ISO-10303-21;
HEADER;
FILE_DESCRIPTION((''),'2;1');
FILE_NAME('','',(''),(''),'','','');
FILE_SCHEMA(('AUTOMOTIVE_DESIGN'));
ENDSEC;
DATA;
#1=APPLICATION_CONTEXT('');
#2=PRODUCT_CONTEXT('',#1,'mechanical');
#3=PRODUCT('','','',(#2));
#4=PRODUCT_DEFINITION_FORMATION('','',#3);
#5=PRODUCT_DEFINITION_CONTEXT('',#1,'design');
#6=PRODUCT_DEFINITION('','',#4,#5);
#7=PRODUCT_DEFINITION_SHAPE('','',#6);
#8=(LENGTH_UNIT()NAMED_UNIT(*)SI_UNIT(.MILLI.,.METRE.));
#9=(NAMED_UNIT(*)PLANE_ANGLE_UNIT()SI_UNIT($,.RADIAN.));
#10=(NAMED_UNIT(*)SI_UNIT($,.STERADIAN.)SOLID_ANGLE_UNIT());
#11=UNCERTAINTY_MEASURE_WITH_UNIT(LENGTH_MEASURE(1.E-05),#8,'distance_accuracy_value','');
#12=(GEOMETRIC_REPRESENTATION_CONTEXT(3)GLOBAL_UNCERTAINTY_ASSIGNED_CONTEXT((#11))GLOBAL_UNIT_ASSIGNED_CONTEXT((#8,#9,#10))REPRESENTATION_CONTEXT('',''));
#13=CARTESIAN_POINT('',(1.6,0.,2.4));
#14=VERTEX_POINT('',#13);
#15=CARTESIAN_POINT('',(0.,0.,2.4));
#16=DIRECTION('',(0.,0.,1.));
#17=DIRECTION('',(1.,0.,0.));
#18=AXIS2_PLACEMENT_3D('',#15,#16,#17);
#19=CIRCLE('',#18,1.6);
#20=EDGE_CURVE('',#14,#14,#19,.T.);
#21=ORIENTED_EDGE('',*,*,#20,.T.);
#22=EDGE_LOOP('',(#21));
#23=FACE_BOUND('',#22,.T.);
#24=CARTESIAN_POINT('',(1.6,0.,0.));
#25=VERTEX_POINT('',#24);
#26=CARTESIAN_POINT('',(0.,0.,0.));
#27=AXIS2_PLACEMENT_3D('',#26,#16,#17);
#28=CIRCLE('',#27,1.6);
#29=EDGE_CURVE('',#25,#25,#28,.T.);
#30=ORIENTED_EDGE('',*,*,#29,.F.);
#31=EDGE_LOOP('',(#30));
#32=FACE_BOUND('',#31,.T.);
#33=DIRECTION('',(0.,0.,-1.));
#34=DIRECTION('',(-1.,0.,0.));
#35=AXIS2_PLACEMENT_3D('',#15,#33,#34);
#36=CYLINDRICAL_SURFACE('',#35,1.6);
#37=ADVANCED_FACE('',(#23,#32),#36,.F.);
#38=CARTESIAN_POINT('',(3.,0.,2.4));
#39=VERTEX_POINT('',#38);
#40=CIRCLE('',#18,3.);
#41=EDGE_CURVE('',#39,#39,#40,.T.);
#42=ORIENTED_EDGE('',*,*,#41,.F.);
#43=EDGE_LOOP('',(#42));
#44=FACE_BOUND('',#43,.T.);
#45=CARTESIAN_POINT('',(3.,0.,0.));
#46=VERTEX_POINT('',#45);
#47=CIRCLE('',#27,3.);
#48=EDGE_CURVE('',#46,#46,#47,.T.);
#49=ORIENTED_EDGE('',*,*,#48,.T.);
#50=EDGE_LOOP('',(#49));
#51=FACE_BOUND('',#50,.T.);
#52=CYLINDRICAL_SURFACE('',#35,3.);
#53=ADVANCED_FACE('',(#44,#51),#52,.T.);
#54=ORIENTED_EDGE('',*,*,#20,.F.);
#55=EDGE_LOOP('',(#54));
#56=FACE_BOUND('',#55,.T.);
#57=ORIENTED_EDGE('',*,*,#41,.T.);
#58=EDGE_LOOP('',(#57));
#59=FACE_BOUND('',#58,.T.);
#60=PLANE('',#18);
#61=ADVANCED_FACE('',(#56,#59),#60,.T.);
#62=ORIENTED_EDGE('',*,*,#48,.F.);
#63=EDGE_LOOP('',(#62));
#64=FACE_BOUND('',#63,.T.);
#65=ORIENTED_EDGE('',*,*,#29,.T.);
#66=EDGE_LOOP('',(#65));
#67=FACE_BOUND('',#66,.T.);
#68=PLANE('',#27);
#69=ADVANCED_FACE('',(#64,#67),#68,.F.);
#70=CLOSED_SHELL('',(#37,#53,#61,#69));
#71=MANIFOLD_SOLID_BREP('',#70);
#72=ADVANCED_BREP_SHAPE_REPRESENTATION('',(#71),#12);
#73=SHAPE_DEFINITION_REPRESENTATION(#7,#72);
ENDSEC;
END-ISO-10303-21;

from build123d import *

# Parameters (mm, degrees)
SKETCH_1_R      = 3
SKETCH_1_R_2    = 1.6
EXTRUDE_1_DEPTH = 2.4


with BuildPart() as part:
    # 草圖1 → 填料-伸長1 (new body)
    with BuildSketch(Plane.XY):
        Circle(SKETCH_1_R)
        Circle(SKETCH_1_R_2, mode=Mode.SUBTRACT)
    extrude(amount=EXTRUDE_1_DEPTH)


solid = part.part
